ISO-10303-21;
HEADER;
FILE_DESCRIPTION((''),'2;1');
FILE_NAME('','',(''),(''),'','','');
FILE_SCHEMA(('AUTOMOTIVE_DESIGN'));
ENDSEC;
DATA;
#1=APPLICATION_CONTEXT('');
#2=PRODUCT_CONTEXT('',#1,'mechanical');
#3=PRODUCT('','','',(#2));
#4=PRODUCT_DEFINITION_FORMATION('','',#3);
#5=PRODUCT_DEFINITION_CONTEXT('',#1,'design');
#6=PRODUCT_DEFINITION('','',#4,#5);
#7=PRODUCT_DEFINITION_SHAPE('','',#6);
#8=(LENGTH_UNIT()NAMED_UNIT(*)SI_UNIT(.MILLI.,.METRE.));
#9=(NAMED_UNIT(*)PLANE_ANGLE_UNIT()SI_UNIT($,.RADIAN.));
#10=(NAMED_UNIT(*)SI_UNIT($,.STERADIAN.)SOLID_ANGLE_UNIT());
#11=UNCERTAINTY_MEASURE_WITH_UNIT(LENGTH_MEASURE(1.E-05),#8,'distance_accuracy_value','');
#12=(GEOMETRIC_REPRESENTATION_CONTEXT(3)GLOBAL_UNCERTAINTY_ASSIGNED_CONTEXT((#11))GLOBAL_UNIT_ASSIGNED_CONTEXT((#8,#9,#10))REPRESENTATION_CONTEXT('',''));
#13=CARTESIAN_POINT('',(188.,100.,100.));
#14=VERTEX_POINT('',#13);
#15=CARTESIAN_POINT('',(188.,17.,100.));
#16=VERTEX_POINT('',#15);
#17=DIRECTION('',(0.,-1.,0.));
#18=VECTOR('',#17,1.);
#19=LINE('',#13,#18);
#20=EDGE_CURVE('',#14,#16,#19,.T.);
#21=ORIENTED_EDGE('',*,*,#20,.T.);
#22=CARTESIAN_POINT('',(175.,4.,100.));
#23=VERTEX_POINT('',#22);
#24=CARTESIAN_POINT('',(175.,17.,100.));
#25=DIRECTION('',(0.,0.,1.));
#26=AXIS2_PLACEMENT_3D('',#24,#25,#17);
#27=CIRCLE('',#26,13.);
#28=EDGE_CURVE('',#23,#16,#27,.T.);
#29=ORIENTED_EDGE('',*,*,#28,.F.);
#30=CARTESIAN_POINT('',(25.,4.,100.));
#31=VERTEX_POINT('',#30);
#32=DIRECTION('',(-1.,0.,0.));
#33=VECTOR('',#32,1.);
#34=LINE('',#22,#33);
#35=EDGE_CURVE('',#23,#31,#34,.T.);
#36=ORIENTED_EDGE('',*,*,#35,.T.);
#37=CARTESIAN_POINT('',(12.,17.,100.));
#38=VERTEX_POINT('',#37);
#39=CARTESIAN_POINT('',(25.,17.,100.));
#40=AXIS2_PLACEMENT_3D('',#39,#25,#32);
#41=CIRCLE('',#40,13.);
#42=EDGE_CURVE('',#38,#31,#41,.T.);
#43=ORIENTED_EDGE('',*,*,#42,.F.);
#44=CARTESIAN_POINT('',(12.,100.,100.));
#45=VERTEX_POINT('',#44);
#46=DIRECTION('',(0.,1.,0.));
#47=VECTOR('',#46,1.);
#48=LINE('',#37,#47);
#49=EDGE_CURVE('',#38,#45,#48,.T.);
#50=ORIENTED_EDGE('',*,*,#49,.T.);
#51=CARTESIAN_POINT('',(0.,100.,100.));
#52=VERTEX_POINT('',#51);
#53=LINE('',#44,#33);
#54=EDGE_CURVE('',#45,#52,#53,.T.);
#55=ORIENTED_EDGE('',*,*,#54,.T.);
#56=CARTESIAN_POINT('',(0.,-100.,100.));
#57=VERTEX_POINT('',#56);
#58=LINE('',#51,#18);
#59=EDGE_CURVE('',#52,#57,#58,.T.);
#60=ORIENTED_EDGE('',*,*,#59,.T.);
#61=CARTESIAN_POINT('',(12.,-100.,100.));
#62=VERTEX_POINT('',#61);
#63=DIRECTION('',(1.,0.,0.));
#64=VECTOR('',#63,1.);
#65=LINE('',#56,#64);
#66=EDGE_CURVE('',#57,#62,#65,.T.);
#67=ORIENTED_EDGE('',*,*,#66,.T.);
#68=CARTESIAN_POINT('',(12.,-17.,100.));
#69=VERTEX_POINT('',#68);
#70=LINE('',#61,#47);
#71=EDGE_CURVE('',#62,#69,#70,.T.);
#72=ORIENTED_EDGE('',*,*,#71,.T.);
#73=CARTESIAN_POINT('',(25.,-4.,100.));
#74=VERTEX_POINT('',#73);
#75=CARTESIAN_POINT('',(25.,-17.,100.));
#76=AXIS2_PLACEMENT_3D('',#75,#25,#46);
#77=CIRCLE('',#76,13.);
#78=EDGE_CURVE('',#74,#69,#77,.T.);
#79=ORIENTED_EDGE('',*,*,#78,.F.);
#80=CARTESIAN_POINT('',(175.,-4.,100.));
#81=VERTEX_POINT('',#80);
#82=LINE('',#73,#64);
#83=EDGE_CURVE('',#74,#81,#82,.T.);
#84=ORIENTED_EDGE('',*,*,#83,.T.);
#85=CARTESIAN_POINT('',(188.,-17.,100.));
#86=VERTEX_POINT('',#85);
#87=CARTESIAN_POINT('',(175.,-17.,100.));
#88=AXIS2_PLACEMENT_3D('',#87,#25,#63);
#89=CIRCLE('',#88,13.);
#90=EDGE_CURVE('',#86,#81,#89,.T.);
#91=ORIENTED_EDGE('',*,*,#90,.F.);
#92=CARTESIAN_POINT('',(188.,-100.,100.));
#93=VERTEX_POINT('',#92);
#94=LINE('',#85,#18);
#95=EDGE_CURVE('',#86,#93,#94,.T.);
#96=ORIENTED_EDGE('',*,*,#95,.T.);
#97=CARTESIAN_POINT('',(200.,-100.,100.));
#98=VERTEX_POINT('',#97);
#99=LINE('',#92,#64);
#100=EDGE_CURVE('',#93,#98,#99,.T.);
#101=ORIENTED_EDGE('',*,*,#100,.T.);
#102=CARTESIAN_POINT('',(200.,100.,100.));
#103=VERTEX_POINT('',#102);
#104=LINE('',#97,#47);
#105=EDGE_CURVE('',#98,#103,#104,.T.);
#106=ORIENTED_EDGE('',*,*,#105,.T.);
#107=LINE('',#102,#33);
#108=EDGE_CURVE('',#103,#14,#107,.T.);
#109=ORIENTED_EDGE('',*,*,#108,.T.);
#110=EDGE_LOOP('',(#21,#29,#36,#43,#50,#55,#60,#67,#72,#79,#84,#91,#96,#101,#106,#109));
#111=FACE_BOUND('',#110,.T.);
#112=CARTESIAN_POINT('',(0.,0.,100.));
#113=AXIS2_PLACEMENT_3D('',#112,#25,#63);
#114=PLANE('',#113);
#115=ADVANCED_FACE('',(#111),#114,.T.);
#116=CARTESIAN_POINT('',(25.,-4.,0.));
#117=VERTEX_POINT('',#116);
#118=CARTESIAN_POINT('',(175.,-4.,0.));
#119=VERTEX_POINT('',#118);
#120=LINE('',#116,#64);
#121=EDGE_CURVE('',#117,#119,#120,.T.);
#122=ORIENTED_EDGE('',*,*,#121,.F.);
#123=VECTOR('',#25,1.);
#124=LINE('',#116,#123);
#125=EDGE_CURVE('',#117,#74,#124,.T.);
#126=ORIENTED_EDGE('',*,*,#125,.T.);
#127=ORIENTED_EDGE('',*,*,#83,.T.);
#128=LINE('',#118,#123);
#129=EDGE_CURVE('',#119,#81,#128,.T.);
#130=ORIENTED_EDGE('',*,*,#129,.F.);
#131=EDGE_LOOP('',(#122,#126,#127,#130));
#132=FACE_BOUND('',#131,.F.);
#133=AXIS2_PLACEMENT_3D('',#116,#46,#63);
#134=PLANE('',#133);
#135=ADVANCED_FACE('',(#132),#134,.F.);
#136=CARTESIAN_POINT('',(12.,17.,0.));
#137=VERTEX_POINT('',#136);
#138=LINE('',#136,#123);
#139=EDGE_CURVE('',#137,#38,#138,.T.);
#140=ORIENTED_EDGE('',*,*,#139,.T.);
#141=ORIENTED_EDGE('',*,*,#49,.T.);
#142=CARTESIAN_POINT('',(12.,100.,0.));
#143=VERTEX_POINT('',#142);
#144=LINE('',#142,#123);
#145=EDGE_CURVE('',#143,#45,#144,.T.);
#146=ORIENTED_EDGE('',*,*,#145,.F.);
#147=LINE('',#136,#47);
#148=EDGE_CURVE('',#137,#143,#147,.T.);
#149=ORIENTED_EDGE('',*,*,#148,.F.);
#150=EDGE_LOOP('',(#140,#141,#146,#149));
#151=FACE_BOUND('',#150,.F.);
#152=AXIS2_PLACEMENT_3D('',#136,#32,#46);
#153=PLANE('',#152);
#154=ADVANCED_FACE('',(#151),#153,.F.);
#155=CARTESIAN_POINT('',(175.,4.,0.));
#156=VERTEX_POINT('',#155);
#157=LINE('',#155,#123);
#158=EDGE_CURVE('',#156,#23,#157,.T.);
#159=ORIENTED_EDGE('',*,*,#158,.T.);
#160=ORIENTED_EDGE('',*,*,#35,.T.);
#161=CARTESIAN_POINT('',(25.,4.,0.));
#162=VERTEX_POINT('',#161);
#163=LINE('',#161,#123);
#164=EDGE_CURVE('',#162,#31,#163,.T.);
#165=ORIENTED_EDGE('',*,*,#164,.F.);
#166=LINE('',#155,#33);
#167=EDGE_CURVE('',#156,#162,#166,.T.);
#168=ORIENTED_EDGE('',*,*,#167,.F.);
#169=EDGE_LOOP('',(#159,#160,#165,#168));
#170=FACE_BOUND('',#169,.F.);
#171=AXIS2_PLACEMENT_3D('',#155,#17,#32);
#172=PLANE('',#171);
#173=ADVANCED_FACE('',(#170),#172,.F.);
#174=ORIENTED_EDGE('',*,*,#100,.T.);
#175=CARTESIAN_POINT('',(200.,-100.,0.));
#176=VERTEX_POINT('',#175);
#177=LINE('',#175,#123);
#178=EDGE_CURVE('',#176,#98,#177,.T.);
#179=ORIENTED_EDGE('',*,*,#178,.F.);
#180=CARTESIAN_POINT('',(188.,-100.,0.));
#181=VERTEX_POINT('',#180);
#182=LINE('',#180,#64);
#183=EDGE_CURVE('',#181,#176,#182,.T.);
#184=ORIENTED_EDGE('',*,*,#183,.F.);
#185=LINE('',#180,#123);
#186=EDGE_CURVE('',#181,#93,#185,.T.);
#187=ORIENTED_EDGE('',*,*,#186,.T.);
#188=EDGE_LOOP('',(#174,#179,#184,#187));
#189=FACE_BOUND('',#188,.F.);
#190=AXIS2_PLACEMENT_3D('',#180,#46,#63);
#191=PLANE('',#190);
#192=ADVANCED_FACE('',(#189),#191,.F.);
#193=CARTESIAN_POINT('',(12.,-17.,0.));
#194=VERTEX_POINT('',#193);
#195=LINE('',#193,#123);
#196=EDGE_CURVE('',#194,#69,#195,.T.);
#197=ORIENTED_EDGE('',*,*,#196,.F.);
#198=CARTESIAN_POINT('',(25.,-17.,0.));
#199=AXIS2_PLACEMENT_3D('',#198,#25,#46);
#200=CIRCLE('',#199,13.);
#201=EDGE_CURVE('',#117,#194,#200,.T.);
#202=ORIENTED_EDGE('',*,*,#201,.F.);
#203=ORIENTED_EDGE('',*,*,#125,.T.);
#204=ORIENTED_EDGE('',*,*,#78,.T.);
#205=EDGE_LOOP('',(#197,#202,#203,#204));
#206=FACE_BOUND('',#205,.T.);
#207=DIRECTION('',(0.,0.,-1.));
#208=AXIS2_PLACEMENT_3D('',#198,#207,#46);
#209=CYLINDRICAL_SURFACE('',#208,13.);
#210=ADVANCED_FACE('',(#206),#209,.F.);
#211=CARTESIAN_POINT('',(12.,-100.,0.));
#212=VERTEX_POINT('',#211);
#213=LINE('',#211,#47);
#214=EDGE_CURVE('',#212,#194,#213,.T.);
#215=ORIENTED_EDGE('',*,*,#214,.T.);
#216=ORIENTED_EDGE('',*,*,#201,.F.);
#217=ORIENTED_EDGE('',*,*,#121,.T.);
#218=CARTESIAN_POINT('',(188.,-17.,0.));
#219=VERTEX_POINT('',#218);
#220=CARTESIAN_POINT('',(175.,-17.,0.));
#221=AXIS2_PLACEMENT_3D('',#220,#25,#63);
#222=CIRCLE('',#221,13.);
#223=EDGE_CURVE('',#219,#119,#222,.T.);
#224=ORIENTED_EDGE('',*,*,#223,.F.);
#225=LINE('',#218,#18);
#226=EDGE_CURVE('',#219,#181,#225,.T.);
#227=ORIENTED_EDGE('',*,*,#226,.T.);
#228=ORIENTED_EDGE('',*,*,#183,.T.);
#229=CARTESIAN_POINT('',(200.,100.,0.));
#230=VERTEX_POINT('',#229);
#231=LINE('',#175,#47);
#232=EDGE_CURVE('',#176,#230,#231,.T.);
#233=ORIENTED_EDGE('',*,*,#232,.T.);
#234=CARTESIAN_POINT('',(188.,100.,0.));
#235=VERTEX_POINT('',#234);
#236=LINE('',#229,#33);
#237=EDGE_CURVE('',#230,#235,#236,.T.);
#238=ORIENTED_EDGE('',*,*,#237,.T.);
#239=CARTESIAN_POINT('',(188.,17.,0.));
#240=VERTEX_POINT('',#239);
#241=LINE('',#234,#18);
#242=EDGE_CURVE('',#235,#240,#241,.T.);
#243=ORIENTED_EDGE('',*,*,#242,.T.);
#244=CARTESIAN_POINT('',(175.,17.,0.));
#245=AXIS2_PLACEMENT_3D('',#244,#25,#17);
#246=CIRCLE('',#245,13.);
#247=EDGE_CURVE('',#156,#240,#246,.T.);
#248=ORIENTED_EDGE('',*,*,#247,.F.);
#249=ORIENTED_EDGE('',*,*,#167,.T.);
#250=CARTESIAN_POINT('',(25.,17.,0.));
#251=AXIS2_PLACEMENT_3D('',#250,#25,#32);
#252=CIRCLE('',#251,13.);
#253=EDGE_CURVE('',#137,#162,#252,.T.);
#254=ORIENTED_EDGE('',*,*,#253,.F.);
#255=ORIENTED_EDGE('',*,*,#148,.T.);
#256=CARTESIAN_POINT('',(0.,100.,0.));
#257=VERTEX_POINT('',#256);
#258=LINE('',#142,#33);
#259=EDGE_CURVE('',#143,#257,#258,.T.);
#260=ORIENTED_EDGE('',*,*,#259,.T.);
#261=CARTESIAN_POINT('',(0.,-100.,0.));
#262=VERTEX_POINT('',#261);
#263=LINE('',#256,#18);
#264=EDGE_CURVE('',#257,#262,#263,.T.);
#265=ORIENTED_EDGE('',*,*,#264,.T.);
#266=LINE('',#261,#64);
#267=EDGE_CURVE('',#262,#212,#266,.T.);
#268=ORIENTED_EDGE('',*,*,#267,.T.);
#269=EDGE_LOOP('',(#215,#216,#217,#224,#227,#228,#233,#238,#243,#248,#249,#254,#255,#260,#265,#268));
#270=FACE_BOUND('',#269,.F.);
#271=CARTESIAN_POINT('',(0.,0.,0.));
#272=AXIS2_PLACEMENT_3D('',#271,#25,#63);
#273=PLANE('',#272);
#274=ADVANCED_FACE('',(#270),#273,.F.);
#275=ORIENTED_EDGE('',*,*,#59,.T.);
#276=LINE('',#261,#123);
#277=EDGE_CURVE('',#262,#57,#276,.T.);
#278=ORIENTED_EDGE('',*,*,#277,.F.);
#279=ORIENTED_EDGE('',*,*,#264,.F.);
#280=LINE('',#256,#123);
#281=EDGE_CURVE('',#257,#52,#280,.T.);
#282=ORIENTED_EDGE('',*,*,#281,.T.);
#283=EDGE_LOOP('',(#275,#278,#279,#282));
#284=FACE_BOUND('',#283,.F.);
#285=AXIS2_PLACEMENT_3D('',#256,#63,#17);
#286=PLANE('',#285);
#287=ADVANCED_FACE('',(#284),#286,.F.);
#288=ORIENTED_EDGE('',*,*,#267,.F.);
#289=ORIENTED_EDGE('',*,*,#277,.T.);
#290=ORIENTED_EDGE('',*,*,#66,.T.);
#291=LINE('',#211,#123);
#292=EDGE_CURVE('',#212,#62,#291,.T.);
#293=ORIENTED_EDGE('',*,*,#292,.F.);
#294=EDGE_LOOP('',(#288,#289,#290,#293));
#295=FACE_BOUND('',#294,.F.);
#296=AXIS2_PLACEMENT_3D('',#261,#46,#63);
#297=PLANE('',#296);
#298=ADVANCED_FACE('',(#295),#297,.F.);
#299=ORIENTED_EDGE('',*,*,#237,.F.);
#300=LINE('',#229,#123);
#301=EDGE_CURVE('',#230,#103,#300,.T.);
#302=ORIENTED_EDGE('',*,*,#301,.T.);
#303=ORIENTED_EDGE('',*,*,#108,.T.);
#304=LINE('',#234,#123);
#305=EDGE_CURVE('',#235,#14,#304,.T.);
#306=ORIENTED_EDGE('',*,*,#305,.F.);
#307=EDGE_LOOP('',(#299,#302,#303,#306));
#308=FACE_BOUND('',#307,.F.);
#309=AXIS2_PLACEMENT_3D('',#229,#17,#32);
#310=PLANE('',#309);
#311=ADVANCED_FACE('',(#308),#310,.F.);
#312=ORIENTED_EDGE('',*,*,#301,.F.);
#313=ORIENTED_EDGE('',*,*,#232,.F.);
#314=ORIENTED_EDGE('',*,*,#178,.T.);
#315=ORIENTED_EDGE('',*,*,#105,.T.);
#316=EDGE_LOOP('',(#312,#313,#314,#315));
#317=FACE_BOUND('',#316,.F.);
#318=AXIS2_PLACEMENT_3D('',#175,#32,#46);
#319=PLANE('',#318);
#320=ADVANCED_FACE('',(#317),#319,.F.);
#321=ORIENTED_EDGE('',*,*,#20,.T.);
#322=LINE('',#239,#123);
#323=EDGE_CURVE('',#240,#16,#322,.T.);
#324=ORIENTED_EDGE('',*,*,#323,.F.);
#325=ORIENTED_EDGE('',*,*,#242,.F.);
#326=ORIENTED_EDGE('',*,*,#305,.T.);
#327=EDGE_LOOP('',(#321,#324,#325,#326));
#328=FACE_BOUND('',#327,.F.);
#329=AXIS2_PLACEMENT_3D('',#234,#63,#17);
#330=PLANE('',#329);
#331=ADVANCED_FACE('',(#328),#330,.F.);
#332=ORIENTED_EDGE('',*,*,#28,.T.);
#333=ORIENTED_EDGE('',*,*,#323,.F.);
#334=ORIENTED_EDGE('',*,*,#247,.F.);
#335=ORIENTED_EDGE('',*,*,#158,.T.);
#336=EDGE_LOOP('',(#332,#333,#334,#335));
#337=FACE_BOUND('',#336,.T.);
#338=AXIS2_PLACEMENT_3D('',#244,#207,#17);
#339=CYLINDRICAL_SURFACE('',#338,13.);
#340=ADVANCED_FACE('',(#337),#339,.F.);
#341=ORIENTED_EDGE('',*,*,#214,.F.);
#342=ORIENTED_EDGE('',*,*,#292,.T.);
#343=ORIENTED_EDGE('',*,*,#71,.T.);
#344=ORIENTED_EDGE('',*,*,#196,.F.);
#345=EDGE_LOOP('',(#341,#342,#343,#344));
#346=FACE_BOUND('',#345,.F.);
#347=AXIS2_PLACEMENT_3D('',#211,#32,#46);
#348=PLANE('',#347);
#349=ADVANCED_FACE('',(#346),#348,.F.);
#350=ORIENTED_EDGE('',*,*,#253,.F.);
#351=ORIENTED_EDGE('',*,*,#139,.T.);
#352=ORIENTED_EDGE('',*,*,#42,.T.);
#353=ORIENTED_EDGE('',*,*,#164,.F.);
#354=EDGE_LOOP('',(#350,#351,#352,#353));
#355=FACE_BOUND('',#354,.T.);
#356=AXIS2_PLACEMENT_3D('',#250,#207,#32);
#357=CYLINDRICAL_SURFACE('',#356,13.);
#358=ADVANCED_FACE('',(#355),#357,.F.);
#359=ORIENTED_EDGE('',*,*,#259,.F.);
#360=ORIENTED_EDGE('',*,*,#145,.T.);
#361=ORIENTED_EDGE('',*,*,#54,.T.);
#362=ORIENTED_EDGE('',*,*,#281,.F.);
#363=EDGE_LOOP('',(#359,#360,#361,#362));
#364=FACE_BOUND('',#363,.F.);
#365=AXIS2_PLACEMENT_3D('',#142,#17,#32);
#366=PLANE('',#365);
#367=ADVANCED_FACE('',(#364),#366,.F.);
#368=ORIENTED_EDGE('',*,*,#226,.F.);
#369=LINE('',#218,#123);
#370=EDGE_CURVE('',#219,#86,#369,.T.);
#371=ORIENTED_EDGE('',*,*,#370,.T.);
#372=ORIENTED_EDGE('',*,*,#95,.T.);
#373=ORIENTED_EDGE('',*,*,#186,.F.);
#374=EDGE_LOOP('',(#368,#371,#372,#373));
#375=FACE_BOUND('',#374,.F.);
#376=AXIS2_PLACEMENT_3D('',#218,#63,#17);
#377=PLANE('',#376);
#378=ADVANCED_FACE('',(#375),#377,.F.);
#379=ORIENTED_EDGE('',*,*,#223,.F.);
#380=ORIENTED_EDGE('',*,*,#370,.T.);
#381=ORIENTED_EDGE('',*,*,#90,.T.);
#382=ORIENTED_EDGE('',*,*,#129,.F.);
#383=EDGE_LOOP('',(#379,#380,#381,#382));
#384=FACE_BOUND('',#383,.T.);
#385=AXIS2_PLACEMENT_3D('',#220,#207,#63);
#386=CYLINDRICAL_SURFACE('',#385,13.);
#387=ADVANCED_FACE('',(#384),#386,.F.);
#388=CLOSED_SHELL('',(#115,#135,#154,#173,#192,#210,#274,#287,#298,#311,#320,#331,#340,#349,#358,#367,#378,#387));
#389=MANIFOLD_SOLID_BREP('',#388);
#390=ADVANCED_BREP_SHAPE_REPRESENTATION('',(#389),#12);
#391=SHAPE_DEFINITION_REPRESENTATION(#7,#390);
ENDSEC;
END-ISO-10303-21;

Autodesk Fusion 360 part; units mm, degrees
sketch "スケッチ1" plane through (0, 0, 0) normal (0, 0, 1) x (1, 0, 0)
  line L0 (0, 100) -> (0, -100)
  line L1 (200, -100) -> (200, 100)
  line L2 (188, -17) -> (188, -100)
  line L3 (12, -100) -> (12, -17)
  line L4 (0, -100) -> (12, -100)
  line L5 (188, -100) -> (200, -100)
  line L6 (12, 17) -> (12, 100)
  line L7 (188, 100) -> (188, 17)
  line L8 (175, 4) -> (25, 4)
  line L9 (25, -4) -> (175, -4)
  arc A0 (25, -4) -> (12, -17) centre (25, -17) ccw
  arc A1 (12, 17) -> (25, 4) centre (25, 17) ccw
  arc A2 (188, -17) -> (175, -4) centre (175, -17) ccw
  arc A3 (175, 4) -> (188, 17) centre (175, 17) ccw
  line L10 (12, 100) -> (0, 100)
  line L11 (200, 100) -> (188, 100)
extrude "押し出し1" add sketch "スケッチ1" along normal blind 100
